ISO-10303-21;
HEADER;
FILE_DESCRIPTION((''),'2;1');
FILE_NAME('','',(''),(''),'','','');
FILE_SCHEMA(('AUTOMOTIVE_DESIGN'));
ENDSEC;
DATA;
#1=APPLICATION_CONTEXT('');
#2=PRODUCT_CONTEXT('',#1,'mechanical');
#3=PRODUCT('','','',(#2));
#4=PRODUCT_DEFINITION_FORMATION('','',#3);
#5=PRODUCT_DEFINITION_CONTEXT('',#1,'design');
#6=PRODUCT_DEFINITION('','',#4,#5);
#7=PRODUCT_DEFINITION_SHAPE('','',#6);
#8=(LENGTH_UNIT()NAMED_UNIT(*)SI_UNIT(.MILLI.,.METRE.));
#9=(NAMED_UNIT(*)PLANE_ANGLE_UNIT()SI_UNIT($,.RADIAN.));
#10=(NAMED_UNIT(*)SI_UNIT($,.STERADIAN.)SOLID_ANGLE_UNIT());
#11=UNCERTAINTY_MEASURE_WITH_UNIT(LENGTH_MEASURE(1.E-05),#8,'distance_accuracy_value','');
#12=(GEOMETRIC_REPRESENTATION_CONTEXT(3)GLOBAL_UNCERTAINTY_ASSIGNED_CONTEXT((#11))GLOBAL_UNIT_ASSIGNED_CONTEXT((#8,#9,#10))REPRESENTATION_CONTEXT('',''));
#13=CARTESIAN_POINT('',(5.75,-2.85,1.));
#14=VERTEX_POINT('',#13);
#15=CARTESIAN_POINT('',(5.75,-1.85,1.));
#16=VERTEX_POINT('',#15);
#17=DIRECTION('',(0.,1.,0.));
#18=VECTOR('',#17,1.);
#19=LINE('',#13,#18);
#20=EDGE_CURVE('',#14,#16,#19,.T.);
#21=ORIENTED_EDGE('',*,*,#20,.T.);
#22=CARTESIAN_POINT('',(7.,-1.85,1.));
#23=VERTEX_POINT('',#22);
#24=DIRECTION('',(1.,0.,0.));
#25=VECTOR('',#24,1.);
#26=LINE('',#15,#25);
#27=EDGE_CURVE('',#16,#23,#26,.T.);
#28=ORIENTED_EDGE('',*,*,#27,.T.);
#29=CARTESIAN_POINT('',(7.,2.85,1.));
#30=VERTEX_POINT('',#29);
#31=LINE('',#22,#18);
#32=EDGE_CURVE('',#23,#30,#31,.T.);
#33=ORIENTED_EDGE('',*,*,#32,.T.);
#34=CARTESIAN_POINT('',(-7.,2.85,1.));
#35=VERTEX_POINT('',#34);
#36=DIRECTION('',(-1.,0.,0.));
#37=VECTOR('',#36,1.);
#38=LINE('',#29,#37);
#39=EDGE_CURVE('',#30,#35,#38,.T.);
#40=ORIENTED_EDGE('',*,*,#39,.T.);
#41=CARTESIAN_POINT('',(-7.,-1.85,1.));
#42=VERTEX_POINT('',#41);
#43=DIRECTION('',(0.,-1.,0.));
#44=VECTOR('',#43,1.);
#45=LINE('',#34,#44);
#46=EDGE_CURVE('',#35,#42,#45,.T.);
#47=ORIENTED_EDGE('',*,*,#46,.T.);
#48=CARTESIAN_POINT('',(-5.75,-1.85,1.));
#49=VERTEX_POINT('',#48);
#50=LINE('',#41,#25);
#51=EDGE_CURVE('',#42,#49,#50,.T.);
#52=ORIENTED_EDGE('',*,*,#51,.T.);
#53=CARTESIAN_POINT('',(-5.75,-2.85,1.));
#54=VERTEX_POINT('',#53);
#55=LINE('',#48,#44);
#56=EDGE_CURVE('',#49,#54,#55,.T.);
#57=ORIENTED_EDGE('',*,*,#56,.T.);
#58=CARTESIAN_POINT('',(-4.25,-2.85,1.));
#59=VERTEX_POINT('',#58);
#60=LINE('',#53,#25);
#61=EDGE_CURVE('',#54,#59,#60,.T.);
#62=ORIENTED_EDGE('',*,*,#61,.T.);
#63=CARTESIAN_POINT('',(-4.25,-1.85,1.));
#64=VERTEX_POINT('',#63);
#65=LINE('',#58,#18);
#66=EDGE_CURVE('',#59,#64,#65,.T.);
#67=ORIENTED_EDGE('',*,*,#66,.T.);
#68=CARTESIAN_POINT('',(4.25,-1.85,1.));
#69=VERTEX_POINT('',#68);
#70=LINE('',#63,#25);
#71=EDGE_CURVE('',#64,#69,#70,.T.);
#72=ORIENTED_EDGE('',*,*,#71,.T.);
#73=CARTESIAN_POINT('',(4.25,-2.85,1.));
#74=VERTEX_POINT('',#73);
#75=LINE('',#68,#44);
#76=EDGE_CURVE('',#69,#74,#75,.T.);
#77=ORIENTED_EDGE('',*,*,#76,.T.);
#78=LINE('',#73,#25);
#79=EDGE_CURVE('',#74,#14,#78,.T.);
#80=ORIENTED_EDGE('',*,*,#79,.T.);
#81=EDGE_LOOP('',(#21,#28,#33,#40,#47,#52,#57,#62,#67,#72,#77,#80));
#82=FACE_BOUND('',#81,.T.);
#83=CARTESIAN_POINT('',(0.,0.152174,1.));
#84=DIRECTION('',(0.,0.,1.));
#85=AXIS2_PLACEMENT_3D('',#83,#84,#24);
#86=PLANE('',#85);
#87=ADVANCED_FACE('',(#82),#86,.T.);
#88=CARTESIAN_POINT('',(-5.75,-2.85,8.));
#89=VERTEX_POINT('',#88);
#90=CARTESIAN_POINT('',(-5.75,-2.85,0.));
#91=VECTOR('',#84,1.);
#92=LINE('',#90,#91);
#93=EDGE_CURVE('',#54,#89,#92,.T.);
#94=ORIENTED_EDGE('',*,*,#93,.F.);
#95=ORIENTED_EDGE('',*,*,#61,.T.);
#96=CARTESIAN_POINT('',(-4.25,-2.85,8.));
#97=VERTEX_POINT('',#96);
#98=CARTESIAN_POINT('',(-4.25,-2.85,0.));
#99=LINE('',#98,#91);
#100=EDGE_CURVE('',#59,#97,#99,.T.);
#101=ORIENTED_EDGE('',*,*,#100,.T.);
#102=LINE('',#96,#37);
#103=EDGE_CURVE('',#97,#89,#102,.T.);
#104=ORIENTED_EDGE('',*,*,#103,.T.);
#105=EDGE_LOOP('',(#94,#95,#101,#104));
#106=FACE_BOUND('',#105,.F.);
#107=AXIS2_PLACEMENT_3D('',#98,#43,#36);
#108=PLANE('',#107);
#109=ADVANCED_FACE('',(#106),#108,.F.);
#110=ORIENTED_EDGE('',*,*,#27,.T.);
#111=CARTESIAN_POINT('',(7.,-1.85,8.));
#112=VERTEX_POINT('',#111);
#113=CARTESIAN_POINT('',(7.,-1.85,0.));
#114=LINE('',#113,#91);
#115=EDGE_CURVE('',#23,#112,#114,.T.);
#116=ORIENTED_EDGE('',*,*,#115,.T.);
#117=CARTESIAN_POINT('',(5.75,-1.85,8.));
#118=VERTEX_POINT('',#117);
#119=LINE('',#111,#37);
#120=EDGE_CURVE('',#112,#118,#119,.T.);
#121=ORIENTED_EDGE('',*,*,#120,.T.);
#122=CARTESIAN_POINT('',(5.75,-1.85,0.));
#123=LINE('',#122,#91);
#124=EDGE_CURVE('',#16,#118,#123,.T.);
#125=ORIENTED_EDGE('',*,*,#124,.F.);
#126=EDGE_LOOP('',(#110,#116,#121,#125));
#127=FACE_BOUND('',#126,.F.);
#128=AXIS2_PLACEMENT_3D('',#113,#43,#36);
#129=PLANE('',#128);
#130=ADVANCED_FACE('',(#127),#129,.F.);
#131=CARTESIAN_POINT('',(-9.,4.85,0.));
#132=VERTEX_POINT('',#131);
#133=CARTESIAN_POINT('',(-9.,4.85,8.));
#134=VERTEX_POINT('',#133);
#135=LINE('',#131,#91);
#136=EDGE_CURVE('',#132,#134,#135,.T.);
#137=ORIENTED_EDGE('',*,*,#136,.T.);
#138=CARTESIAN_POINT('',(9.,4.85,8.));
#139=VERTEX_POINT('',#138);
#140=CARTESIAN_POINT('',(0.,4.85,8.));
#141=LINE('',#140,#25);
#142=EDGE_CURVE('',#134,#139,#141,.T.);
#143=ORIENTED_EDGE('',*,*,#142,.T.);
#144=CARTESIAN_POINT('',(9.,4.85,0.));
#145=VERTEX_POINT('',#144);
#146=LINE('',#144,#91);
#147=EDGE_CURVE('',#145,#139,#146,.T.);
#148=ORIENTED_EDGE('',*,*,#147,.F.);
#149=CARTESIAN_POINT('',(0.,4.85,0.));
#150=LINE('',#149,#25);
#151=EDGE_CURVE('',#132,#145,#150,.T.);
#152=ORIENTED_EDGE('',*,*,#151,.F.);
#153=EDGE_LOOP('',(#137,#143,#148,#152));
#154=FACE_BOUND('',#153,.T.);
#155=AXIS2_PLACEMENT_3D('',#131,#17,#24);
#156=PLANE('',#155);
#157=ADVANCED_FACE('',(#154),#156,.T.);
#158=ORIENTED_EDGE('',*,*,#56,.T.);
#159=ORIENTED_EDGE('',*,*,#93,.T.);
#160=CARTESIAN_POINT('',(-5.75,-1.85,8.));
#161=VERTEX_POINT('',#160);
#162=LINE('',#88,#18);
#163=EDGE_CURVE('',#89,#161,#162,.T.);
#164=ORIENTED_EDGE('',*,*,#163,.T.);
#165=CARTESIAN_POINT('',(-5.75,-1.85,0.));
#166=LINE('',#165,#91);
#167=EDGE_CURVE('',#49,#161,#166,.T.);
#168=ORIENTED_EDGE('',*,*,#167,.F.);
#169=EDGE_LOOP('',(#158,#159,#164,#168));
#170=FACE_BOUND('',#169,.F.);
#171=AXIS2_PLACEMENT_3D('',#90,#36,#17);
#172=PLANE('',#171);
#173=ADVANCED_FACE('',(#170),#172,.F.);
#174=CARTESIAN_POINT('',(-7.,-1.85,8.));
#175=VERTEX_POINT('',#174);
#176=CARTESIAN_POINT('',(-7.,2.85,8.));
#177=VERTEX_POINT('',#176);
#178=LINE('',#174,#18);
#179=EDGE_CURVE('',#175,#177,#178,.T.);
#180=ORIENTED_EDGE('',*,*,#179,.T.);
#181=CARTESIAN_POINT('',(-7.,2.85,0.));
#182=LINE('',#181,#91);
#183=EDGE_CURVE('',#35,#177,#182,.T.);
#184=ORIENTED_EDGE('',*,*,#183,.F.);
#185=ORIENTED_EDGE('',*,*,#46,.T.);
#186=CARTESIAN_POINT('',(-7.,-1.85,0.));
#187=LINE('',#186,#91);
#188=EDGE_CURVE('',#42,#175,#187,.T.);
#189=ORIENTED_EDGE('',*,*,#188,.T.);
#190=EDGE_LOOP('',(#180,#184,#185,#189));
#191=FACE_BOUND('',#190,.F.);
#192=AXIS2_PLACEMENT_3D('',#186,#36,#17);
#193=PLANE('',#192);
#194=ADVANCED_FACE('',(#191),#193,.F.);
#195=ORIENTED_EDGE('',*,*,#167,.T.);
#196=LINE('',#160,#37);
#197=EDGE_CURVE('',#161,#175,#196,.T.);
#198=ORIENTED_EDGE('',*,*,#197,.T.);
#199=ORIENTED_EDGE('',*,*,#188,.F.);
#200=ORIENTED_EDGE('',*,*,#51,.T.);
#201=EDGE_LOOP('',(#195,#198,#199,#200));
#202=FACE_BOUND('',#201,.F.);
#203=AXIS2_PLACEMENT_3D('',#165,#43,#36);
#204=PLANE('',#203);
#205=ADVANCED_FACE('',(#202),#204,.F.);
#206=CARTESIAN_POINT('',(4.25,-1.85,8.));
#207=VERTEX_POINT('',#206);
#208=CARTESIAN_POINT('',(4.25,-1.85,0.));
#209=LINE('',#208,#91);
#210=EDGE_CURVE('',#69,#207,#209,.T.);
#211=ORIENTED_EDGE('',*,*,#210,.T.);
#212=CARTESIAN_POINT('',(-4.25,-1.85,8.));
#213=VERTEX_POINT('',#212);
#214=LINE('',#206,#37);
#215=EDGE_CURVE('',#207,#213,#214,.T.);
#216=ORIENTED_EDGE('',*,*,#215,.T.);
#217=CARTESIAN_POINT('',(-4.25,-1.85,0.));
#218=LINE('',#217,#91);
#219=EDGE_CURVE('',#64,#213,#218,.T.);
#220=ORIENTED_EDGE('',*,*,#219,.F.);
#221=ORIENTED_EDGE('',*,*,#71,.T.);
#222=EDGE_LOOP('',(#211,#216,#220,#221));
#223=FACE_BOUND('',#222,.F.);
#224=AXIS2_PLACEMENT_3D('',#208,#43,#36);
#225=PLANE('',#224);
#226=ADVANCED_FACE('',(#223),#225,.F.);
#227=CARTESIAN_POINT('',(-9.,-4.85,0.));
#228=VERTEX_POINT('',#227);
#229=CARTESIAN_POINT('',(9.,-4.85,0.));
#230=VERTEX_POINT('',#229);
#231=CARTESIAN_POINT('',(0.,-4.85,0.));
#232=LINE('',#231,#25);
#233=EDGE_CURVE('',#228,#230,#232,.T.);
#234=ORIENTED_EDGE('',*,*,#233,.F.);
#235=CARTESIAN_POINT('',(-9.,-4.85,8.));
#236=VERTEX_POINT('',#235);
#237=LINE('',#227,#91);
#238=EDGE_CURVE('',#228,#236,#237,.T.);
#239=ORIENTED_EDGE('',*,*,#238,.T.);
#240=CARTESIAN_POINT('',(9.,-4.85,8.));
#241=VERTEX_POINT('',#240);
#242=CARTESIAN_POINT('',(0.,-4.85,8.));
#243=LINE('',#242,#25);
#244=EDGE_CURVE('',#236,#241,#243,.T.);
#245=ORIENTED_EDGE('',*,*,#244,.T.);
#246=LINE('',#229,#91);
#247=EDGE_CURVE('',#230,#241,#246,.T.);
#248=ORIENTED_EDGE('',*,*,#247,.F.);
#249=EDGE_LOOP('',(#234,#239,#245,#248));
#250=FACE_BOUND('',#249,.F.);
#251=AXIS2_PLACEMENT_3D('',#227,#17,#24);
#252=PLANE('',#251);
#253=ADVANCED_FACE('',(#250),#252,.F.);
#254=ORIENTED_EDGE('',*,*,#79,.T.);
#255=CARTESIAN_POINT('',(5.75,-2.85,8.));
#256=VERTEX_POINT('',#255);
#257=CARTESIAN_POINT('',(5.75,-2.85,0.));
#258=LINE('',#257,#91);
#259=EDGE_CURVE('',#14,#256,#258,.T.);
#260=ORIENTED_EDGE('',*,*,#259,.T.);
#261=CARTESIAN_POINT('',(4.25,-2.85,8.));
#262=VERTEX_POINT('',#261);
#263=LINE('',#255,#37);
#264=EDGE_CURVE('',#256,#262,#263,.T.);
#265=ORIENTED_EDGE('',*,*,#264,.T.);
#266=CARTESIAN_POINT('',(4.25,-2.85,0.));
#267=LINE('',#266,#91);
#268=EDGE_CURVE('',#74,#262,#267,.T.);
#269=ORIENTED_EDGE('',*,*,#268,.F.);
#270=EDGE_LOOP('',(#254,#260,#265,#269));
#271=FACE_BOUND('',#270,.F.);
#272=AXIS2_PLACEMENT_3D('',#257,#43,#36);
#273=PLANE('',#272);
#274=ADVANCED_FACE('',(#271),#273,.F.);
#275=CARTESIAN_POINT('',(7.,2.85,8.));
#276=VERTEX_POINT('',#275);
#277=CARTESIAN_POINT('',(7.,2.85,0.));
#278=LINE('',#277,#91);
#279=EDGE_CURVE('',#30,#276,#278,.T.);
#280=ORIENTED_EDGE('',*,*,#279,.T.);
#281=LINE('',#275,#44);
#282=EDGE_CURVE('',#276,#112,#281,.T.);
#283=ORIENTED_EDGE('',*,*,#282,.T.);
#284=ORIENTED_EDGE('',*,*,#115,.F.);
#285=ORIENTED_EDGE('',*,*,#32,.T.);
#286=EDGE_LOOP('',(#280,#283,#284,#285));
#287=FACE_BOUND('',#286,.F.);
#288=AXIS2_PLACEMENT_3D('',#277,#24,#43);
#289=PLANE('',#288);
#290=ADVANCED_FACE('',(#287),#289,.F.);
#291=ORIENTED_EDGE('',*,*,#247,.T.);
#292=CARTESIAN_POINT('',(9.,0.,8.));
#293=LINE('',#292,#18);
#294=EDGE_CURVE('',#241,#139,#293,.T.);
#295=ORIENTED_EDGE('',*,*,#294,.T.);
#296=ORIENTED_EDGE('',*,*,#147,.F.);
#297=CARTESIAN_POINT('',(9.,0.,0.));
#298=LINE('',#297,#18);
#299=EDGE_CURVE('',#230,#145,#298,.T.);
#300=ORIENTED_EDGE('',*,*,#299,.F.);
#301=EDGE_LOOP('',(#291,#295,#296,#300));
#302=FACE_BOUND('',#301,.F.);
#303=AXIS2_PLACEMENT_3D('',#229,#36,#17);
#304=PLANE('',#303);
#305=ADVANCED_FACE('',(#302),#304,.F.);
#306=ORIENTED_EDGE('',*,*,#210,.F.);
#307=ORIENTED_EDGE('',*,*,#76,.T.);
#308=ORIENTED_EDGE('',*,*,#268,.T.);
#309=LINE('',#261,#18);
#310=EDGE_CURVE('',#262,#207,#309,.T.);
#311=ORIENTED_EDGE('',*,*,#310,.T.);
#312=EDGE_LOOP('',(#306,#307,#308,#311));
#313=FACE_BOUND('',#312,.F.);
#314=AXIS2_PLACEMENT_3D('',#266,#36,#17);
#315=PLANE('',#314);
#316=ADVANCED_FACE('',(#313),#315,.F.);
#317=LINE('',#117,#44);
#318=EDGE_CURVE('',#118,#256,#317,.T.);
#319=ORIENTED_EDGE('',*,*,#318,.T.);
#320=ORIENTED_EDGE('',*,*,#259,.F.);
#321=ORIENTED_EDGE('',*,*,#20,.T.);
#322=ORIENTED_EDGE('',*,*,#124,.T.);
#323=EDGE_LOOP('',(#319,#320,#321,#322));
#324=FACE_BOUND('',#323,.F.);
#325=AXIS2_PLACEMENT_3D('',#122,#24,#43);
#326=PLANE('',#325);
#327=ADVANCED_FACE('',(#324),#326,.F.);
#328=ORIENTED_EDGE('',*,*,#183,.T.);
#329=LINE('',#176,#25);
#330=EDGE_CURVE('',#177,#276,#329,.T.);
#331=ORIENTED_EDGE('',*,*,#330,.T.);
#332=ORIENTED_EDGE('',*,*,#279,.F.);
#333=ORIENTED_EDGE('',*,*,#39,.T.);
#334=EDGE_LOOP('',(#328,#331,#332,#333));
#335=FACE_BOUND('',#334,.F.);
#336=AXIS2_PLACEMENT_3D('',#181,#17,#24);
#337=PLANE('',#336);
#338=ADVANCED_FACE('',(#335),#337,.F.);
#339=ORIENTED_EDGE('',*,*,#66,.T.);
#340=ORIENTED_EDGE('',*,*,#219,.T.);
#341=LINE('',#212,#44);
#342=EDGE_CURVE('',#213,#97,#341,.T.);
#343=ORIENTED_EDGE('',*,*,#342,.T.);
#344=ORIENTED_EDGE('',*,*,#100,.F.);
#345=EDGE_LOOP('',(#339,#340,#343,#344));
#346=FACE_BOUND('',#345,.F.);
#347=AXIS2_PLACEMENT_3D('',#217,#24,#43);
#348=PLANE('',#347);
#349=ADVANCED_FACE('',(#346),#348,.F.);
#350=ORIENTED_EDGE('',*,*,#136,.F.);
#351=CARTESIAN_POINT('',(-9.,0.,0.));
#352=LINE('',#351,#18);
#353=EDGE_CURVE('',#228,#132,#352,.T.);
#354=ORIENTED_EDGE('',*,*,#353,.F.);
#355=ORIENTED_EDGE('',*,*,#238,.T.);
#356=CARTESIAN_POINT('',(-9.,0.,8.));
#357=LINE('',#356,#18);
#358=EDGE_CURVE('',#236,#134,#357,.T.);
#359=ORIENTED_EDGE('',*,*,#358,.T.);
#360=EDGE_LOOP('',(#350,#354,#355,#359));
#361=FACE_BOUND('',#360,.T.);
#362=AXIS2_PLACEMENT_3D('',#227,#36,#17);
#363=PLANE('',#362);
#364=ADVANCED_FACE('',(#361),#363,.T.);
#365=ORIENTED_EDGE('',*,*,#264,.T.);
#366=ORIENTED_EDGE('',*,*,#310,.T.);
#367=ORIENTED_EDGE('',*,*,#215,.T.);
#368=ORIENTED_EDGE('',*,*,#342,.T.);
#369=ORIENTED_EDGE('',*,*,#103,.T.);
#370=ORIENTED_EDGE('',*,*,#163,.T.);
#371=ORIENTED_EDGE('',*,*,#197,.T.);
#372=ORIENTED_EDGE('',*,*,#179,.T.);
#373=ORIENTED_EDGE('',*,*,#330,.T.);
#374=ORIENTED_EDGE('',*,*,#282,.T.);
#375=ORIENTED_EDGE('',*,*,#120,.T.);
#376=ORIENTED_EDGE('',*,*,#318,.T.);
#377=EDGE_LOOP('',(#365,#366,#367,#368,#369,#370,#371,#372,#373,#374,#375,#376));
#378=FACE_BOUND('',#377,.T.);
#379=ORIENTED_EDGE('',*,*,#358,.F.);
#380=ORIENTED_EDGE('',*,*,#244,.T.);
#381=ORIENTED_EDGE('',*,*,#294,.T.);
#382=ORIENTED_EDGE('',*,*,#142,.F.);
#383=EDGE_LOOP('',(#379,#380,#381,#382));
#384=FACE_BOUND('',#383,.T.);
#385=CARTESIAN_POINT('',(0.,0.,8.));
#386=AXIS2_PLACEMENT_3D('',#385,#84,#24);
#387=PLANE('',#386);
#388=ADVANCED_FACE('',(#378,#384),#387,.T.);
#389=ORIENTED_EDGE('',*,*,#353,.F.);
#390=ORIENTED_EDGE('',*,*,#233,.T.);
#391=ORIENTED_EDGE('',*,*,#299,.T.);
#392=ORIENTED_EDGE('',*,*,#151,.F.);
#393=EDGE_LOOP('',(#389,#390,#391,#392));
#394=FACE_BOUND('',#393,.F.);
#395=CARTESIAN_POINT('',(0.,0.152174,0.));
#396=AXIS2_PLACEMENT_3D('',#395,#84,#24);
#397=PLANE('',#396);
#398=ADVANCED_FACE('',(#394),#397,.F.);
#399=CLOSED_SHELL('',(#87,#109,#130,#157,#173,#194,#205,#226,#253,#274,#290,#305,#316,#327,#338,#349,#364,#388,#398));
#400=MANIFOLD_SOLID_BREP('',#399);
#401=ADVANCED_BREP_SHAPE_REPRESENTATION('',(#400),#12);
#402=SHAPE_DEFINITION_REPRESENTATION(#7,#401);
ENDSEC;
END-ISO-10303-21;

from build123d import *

# Parameters (mm, degrees)
F0_W     = 18
F0_H     = 9.7
F1_DEPTH = 8
F2_DEPTH = 1


with BuildPart() as f1:
    # F0 (on Top) → F1 (new body)
    with BuildSketch(Plane.XY):
        Rectangle(F0_W, F0_H)
        Polygon((-4.25, -2.85), (-5.75, -2.85), (-5.75, -1.85), (-7, -1.85), (-7, 2.85), (7, 2.85), (7, -1.85), (5.75, -1.85), (5.75, -2.85), (4.25, -2.85), (4.25, -1.85), (-4.25, -1.85), align=None, mode=Mode.SUBTRACT)
    extrude(amount=F1_DEPTH)

    # F0 (on Top) → F2 (join)
    with BuildSketch(Plane.XY):
        Polygon((-5.75, -1.85), (-5.75, -2.85), (-4.25, -2.85), (-4.25, -1.85), (4.25, -1.85), (4.25, -2.85), (5.75, -2.85), (5.75, -1.85), (7, -1.85), (7, 2.85), (-7, 2.85), (-7, -1.85), align=None)
    extrude(amount=F2_DEPTH)


solid = f1.part
